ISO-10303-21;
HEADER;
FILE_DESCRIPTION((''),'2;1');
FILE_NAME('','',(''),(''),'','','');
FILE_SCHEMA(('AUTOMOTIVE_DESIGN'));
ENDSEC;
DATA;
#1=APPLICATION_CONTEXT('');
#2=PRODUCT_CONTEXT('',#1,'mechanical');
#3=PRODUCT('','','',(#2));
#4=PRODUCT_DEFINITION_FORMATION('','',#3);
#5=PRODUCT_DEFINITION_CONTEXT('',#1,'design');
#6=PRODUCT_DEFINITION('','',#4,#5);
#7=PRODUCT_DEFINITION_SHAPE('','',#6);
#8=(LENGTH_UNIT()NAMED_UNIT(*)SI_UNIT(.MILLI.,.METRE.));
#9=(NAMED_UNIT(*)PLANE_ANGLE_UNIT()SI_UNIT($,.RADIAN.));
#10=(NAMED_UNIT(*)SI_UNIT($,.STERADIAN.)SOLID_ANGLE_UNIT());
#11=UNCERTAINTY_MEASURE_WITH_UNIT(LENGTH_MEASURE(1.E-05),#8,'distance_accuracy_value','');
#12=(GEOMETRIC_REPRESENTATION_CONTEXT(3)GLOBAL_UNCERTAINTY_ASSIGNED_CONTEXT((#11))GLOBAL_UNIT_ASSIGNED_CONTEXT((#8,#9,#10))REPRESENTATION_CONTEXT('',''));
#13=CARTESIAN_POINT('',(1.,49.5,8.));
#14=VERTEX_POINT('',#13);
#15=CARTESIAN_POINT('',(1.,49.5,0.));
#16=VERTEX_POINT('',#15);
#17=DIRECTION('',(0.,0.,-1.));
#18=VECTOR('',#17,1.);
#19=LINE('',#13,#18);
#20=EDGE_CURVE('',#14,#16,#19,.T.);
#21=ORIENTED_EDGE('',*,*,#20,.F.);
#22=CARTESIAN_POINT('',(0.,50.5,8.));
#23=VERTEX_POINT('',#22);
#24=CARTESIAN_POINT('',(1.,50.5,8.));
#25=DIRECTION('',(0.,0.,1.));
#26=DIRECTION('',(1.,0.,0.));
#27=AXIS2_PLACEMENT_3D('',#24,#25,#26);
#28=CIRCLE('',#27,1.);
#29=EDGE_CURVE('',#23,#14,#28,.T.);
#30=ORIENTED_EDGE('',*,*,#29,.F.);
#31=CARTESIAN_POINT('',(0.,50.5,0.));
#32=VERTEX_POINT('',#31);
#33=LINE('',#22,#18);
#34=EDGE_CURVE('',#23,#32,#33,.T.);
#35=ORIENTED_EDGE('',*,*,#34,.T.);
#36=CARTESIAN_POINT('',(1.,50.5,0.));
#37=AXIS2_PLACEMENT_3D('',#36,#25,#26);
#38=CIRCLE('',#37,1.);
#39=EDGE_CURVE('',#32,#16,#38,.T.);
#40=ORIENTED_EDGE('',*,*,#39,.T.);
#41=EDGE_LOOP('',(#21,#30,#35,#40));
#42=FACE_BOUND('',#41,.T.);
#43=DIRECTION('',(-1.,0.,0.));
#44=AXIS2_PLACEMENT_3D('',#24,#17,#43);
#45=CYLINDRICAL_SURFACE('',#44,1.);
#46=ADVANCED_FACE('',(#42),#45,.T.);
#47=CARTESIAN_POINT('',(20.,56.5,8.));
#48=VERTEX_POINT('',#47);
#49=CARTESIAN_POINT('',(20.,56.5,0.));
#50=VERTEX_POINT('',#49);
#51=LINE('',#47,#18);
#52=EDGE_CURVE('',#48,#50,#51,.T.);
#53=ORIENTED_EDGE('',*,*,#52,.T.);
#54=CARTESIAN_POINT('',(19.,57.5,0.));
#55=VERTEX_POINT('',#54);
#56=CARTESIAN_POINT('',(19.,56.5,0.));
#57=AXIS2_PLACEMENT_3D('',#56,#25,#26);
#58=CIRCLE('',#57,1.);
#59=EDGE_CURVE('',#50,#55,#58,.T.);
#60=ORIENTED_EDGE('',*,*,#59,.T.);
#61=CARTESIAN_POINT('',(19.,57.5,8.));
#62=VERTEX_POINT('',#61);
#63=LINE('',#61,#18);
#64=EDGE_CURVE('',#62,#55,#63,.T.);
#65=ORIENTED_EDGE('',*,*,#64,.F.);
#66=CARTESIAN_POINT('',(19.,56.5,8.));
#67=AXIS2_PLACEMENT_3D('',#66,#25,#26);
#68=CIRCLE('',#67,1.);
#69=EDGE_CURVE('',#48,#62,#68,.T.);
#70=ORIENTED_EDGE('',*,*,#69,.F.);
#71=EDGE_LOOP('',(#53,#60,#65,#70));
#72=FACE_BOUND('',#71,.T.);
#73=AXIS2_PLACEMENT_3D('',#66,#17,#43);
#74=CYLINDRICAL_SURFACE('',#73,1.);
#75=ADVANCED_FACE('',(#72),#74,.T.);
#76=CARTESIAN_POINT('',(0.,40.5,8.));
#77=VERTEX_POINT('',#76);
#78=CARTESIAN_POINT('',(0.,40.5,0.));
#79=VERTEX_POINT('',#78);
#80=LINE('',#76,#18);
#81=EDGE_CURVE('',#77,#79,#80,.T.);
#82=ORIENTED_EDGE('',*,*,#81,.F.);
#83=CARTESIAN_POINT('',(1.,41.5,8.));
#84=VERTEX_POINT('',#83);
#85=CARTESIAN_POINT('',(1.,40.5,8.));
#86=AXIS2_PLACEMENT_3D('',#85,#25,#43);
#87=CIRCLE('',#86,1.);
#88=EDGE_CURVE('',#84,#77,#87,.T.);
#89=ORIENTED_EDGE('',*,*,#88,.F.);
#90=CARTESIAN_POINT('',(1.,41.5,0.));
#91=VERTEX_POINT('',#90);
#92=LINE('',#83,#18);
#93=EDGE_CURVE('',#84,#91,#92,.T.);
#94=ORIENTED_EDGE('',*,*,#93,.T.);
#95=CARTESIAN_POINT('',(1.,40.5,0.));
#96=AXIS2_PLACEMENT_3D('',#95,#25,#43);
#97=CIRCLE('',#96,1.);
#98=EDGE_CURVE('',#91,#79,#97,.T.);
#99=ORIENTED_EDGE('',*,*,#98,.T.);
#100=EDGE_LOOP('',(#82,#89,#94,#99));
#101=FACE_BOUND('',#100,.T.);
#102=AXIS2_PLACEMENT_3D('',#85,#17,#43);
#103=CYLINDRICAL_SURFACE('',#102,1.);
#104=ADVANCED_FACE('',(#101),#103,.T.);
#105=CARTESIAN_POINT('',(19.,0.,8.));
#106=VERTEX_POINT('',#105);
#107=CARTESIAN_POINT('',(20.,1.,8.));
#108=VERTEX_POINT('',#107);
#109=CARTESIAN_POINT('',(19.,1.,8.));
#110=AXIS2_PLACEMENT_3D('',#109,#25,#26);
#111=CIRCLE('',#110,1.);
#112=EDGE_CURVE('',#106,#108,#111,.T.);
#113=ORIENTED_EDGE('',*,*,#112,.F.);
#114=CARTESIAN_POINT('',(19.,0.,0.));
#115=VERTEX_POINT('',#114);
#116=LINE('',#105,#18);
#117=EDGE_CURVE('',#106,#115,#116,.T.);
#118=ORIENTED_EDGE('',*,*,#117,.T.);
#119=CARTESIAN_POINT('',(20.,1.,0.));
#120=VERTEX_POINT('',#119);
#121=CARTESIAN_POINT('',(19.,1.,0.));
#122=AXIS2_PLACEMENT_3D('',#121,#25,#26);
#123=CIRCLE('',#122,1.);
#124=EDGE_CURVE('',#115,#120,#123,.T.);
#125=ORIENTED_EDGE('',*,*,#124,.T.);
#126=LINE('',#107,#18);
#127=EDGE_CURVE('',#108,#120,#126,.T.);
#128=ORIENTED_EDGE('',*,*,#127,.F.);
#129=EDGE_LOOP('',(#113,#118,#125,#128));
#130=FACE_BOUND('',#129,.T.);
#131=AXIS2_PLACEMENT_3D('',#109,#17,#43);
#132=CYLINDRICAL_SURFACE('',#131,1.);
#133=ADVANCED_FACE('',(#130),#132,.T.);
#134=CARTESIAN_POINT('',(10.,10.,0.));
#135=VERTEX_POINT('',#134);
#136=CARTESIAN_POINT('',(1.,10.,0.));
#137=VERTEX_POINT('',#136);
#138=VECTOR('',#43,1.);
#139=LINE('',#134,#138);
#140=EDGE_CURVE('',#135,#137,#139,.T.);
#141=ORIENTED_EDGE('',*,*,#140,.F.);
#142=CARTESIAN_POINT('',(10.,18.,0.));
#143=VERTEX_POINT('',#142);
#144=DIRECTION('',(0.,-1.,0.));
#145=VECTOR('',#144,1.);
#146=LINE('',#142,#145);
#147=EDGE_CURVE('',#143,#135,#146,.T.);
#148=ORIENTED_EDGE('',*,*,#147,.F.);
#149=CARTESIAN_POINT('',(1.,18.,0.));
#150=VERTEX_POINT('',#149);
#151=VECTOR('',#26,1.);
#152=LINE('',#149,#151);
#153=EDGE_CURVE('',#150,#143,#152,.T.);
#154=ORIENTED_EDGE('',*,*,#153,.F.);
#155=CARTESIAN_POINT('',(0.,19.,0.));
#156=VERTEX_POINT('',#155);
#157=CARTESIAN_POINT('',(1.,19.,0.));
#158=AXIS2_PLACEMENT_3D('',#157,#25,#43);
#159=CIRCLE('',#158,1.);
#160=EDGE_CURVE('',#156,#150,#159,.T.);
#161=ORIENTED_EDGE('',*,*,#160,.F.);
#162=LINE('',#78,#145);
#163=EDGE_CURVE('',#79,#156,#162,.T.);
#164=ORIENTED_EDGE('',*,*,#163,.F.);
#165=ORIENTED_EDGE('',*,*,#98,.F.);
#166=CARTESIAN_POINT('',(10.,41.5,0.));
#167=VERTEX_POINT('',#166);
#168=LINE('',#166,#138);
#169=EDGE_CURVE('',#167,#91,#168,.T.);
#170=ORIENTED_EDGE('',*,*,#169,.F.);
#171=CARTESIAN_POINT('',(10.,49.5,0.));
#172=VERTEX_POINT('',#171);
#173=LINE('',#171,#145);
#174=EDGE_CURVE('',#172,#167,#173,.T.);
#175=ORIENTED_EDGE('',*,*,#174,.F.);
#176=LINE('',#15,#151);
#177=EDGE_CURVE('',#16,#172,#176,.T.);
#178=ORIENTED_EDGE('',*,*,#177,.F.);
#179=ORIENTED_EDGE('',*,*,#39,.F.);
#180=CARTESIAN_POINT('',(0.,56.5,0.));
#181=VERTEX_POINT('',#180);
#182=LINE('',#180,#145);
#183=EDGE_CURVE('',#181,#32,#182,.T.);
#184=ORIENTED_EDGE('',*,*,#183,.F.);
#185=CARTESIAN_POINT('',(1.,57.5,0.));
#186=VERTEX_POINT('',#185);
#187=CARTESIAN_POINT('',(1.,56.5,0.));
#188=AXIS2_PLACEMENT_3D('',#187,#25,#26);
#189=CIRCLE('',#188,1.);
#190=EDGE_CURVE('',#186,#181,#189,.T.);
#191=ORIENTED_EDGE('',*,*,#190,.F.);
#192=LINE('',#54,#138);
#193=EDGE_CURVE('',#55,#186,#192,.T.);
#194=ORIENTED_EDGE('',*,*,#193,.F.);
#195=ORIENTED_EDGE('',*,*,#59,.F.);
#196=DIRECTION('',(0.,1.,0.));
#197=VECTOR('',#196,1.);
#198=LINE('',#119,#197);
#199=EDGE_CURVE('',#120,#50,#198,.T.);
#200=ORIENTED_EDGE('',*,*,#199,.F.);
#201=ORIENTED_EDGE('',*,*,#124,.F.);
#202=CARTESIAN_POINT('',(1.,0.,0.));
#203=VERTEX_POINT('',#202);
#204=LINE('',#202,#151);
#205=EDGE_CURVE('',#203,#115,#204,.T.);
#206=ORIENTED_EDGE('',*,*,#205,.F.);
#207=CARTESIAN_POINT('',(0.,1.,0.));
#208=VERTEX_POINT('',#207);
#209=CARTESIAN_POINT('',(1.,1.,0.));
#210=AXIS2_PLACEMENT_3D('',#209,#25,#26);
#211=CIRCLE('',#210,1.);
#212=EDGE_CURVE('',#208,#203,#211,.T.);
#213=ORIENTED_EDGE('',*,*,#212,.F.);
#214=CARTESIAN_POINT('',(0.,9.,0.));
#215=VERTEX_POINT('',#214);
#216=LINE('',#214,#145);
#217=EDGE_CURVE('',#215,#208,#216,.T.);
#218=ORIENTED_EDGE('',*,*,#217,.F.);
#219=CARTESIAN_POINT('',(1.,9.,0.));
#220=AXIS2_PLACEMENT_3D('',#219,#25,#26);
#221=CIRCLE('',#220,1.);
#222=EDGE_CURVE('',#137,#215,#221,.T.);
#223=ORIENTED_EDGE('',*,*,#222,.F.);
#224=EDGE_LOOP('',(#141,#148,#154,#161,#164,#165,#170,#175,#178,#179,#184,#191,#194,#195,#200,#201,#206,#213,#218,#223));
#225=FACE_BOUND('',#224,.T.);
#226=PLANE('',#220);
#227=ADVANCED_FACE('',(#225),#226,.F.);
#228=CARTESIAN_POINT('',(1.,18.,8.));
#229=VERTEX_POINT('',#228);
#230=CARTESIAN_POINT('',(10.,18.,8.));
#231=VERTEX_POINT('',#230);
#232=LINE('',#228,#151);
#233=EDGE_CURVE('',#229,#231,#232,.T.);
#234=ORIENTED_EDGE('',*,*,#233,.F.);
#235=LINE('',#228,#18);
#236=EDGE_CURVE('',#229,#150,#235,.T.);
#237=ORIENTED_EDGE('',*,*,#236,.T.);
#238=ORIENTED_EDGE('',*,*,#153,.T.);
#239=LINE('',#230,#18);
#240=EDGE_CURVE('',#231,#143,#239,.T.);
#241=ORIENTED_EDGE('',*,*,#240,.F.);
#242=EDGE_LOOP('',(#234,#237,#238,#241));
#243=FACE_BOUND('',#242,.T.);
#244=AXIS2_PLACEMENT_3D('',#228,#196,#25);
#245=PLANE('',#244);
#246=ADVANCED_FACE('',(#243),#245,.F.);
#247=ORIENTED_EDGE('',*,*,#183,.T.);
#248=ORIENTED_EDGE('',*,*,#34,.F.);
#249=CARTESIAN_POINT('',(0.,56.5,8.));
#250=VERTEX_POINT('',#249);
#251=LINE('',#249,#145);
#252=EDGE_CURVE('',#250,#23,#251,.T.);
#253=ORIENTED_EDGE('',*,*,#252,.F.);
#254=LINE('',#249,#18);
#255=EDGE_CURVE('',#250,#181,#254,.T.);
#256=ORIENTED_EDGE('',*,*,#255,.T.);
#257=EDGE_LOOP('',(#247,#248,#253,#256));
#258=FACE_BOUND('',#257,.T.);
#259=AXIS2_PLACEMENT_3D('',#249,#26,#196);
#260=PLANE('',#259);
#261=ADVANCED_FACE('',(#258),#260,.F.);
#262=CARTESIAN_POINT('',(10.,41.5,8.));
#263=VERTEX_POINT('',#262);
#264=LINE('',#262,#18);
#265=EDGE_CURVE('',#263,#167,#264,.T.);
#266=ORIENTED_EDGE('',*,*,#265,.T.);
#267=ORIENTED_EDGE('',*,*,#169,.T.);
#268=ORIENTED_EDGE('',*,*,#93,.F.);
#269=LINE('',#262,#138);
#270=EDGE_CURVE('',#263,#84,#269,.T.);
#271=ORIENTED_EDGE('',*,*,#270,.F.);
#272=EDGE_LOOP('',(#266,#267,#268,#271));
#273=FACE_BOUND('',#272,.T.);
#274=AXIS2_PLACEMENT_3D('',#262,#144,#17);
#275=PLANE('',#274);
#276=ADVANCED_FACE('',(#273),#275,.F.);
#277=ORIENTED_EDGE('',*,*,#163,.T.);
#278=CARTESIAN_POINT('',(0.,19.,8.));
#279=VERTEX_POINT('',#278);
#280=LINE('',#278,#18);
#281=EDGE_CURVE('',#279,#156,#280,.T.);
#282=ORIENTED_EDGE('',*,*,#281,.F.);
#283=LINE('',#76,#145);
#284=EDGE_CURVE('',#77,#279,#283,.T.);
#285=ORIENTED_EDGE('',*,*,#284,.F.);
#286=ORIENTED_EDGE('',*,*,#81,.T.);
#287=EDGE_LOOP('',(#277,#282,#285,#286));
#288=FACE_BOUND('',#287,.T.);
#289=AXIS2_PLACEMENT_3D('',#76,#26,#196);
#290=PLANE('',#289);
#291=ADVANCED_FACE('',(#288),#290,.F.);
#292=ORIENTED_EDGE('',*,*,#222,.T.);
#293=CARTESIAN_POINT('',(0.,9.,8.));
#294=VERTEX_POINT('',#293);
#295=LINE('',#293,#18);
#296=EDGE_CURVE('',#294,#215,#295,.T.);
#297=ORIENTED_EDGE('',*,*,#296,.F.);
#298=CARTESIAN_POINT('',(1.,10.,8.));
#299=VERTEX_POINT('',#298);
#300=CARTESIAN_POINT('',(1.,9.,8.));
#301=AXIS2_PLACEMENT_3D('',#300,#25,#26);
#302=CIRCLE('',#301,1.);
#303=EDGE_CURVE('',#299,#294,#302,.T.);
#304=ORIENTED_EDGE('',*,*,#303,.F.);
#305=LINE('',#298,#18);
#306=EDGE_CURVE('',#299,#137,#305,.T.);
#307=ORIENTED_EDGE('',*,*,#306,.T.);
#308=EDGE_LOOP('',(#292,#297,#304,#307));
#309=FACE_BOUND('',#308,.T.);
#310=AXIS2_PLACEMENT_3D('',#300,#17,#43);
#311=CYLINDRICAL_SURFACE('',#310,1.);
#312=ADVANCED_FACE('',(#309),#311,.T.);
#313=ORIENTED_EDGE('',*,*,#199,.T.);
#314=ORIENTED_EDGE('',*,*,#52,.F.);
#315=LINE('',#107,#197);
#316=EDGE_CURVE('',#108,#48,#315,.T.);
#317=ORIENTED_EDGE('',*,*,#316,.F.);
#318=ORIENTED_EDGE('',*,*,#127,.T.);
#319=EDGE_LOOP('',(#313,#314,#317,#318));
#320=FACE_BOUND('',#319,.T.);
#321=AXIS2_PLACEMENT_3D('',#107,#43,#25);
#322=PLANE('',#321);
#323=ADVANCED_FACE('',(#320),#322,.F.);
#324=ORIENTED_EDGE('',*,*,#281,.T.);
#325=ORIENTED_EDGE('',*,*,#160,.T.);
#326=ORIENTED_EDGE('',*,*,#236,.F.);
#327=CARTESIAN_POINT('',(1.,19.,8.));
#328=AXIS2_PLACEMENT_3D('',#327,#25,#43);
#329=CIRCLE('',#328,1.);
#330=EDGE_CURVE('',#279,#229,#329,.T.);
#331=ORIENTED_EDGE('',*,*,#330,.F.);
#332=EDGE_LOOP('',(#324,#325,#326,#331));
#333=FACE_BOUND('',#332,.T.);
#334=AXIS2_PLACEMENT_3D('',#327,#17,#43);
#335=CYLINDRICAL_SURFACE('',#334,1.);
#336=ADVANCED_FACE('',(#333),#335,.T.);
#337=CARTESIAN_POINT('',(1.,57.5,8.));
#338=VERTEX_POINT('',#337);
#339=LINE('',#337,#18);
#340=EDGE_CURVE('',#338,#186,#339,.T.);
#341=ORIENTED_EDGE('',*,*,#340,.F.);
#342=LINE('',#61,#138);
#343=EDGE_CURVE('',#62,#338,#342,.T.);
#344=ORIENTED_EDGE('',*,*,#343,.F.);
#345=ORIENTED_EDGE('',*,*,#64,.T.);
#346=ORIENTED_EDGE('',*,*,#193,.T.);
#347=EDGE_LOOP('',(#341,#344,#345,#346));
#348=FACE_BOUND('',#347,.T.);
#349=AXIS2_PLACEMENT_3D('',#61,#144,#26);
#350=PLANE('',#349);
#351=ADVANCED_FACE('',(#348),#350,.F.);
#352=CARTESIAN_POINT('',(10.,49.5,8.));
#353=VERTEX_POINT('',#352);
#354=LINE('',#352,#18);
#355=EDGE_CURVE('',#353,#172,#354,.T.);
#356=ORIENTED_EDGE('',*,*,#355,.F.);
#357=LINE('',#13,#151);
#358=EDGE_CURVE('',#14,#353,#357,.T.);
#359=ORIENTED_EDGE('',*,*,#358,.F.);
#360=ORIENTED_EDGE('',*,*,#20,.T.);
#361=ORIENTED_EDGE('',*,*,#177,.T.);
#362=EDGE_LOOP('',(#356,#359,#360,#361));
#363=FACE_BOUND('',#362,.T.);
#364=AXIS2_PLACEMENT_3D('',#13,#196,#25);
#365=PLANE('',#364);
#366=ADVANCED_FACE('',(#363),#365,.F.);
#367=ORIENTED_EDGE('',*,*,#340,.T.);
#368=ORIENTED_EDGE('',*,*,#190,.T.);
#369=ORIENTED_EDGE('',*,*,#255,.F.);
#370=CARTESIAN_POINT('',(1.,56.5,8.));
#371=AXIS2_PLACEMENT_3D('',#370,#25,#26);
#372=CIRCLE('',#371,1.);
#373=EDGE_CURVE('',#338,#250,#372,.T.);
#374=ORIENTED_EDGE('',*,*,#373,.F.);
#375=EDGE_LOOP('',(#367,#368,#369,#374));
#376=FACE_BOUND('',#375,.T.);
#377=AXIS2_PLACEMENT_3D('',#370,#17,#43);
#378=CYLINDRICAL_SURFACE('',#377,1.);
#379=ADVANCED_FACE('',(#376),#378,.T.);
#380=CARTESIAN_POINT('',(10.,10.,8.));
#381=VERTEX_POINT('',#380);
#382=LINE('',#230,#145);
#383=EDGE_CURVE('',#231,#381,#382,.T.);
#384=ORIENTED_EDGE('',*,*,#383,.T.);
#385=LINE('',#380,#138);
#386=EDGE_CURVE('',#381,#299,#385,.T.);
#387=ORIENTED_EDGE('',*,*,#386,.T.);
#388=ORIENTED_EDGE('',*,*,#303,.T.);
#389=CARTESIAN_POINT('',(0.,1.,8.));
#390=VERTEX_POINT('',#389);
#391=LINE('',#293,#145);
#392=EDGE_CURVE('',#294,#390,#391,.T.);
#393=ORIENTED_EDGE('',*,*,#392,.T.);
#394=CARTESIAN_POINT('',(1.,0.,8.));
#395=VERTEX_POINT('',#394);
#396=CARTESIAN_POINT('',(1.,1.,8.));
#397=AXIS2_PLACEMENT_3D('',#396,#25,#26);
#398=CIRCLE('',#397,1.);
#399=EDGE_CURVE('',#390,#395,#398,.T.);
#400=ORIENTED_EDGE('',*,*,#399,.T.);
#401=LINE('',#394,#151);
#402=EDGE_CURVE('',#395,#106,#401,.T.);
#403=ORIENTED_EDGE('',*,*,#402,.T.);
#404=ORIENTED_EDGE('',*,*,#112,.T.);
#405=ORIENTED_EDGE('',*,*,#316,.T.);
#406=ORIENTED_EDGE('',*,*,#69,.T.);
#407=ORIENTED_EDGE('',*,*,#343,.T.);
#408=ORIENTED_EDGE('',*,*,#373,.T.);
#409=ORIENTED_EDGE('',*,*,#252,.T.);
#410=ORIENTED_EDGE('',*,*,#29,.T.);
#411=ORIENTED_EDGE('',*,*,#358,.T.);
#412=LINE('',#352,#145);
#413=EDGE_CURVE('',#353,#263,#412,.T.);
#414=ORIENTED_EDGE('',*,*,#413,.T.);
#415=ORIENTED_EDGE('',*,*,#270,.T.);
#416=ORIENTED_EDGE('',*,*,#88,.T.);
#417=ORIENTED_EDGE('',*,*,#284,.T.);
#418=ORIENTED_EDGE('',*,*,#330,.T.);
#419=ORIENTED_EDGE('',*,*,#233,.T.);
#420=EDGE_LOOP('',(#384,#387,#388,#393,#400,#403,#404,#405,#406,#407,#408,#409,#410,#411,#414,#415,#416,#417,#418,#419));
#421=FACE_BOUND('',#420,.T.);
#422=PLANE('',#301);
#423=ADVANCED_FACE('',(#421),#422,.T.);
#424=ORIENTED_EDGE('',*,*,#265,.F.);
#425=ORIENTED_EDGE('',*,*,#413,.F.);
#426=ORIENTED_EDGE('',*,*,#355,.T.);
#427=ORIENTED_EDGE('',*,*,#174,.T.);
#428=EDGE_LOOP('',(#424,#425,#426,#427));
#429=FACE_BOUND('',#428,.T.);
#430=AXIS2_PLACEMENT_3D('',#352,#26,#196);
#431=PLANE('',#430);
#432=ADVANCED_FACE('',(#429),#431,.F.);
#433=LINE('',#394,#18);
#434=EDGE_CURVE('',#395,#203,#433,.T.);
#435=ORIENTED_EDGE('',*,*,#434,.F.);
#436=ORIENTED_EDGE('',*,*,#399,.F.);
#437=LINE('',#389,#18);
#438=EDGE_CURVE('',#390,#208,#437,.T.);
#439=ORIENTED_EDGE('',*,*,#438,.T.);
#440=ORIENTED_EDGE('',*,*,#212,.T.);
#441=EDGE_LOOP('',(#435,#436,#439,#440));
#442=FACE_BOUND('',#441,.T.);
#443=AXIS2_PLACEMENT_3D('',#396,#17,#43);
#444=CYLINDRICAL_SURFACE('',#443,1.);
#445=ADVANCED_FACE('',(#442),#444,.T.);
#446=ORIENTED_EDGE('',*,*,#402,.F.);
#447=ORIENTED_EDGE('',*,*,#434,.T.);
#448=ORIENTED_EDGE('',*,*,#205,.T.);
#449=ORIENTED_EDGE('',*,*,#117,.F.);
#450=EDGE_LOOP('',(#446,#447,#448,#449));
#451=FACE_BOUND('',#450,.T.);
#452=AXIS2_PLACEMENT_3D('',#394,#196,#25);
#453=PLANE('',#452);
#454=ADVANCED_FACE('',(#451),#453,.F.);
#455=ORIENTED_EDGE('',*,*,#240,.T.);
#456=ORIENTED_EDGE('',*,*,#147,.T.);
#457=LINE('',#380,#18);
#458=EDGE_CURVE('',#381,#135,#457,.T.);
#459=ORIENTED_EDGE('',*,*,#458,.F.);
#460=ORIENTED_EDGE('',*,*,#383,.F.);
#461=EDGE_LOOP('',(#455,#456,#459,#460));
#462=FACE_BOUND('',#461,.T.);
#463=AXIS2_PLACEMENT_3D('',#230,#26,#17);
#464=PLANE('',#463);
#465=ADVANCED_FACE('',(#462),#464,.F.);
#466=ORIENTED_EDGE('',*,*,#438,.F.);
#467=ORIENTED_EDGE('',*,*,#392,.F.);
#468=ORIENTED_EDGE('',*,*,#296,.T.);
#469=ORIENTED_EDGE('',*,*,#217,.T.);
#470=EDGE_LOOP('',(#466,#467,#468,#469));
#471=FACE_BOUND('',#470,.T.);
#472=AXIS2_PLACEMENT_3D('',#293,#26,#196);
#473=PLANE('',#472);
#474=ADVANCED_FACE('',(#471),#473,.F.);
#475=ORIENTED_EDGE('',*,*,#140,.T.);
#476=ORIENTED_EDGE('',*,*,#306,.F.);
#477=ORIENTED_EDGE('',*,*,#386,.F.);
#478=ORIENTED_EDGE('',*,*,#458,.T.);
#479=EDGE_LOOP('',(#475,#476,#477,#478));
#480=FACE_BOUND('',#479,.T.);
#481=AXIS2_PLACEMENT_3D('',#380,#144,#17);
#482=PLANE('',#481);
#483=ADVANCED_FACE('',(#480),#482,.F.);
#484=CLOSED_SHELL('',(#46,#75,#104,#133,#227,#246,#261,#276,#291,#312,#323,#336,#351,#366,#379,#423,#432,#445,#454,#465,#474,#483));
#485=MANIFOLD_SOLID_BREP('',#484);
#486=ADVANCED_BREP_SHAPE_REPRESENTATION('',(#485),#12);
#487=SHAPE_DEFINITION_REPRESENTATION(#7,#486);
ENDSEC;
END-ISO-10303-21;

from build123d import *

# Parameters (mm, degrees)
BOSS_EXTRUDE1_DEPTH = 8


with BuildPart() as part:
    # Sketch1 → Boss-Extrude1 (new body)
    with BuildSketch(Plane.XY):
        with BuildLine():
            Line((1, 0), (19, 0))
            ThreePointArc((19, 0), (19.707106781, 0.292893219), (20, 1))
            Line((20, 1), (20, 56.5))
            ThreePointArc((20, 56.5), (19.707106781, 57.207106781), (19, 57.5))
            Line((19, 57.5), (1, 57.5))
            ThreePointArc((1, 57.5), (0.292893219, 57.207106781), (0, 56.5))
            Line((0, 56.5), (0, 50.5))
            ThreePointArc((0, 50.5), (0.292893219, 49.792893219), (1, 49.5))
            Line((1, 49.5), (10, 49.5))
            Line((10, 49.5), (10, 41.5))
            Line((10, 41.5), (1, 41.5))
            ThreePointArc((1, 41.5), (0.292893219, 41.207106781), (0, 40.5))
            Line((0, 40.5), (0, 19))
            ThreePointArc((0, 19), (0.292893219, 18.292893219), (1, 18))
            Line((1, 18), (10, 18))
            Line((10, 18), (10, 10))
            Line((10, 10), (1, 10))
            ThreePointArc((1, 10), (0.292893219, 9.707106781), (0, 9))
            Line((0, 9), (0, 1))
            ThreePointArc((0, 1), (0.292893219, 0.292893219), (1, 0))
        make_face()
    extrude(amount=BOSS_EXTRUDE1_DEPTH)


solid = part.part
